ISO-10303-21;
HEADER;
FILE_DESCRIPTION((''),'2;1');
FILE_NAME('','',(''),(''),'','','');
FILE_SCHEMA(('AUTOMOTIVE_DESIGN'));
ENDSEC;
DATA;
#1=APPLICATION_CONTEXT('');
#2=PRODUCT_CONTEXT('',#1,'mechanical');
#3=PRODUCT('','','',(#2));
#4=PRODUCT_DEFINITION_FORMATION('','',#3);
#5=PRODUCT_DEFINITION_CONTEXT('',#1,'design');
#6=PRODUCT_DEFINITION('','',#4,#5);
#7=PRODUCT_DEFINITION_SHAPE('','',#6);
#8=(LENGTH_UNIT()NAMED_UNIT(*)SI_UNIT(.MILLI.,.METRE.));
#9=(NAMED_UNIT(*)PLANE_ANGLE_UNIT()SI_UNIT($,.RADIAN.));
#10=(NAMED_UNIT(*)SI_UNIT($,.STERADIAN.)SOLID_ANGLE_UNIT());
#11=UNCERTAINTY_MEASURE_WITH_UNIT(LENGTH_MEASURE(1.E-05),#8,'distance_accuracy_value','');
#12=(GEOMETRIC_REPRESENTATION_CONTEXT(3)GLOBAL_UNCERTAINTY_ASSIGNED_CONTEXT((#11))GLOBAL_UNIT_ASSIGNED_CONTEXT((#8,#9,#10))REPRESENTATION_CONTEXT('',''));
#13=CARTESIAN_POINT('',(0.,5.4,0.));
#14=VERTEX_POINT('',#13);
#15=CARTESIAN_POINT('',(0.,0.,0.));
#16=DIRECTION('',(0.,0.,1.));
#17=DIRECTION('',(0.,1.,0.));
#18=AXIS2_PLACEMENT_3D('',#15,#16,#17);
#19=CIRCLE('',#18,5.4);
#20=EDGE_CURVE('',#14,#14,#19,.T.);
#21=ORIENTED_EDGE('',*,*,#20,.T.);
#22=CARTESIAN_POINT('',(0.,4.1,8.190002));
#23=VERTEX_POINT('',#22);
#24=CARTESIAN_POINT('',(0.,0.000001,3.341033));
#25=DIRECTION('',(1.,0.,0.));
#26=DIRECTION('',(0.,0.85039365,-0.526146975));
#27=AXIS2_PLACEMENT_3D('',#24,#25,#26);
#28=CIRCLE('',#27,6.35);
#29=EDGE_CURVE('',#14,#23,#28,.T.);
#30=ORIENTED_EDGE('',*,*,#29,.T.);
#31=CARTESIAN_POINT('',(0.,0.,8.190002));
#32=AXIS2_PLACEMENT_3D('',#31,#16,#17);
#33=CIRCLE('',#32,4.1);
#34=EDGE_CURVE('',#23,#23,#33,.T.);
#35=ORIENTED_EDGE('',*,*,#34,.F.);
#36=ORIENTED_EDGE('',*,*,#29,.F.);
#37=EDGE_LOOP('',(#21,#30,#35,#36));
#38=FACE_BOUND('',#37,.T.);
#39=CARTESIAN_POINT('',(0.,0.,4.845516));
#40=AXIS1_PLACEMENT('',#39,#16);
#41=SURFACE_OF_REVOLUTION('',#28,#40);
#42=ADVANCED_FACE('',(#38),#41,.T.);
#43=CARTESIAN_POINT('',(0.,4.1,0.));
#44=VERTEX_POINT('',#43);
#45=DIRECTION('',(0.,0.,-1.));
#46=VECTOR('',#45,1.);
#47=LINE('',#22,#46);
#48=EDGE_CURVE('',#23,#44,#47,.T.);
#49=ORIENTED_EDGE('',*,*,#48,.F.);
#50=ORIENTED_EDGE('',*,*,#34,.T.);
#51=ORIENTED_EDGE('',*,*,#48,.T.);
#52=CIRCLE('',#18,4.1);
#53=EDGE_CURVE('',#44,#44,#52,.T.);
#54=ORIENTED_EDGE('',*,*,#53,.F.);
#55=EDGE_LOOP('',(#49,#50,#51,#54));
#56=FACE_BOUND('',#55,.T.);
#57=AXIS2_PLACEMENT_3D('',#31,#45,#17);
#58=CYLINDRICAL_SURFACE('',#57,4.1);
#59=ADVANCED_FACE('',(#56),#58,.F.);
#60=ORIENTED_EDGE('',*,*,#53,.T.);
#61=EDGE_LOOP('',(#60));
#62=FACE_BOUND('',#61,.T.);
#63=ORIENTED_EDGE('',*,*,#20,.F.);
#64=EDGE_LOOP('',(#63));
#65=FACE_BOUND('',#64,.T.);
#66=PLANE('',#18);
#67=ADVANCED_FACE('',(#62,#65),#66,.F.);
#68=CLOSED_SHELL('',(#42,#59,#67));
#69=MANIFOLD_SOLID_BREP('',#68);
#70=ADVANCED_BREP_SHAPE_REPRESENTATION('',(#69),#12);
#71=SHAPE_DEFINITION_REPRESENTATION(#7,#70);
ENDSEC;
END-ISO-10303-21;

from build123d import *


with BuildPart() as f1:
    # F0 (on Right) → F1 (revolve)
    with BuildSketch(Plane.YZ):
        with BuildLine():
            Line((4.1, 0), (5.4, 0))
            ThreePointArc((5.4, 0), (6.271486, 4.336506), (4.1, 8.190002))
            Line((4.1, 8.190002), (4.1, 0))
        make_face()
    revolve(axis=Axis((0, 0, 4.845516), (0, 0, 1)))


solid = f1.part
